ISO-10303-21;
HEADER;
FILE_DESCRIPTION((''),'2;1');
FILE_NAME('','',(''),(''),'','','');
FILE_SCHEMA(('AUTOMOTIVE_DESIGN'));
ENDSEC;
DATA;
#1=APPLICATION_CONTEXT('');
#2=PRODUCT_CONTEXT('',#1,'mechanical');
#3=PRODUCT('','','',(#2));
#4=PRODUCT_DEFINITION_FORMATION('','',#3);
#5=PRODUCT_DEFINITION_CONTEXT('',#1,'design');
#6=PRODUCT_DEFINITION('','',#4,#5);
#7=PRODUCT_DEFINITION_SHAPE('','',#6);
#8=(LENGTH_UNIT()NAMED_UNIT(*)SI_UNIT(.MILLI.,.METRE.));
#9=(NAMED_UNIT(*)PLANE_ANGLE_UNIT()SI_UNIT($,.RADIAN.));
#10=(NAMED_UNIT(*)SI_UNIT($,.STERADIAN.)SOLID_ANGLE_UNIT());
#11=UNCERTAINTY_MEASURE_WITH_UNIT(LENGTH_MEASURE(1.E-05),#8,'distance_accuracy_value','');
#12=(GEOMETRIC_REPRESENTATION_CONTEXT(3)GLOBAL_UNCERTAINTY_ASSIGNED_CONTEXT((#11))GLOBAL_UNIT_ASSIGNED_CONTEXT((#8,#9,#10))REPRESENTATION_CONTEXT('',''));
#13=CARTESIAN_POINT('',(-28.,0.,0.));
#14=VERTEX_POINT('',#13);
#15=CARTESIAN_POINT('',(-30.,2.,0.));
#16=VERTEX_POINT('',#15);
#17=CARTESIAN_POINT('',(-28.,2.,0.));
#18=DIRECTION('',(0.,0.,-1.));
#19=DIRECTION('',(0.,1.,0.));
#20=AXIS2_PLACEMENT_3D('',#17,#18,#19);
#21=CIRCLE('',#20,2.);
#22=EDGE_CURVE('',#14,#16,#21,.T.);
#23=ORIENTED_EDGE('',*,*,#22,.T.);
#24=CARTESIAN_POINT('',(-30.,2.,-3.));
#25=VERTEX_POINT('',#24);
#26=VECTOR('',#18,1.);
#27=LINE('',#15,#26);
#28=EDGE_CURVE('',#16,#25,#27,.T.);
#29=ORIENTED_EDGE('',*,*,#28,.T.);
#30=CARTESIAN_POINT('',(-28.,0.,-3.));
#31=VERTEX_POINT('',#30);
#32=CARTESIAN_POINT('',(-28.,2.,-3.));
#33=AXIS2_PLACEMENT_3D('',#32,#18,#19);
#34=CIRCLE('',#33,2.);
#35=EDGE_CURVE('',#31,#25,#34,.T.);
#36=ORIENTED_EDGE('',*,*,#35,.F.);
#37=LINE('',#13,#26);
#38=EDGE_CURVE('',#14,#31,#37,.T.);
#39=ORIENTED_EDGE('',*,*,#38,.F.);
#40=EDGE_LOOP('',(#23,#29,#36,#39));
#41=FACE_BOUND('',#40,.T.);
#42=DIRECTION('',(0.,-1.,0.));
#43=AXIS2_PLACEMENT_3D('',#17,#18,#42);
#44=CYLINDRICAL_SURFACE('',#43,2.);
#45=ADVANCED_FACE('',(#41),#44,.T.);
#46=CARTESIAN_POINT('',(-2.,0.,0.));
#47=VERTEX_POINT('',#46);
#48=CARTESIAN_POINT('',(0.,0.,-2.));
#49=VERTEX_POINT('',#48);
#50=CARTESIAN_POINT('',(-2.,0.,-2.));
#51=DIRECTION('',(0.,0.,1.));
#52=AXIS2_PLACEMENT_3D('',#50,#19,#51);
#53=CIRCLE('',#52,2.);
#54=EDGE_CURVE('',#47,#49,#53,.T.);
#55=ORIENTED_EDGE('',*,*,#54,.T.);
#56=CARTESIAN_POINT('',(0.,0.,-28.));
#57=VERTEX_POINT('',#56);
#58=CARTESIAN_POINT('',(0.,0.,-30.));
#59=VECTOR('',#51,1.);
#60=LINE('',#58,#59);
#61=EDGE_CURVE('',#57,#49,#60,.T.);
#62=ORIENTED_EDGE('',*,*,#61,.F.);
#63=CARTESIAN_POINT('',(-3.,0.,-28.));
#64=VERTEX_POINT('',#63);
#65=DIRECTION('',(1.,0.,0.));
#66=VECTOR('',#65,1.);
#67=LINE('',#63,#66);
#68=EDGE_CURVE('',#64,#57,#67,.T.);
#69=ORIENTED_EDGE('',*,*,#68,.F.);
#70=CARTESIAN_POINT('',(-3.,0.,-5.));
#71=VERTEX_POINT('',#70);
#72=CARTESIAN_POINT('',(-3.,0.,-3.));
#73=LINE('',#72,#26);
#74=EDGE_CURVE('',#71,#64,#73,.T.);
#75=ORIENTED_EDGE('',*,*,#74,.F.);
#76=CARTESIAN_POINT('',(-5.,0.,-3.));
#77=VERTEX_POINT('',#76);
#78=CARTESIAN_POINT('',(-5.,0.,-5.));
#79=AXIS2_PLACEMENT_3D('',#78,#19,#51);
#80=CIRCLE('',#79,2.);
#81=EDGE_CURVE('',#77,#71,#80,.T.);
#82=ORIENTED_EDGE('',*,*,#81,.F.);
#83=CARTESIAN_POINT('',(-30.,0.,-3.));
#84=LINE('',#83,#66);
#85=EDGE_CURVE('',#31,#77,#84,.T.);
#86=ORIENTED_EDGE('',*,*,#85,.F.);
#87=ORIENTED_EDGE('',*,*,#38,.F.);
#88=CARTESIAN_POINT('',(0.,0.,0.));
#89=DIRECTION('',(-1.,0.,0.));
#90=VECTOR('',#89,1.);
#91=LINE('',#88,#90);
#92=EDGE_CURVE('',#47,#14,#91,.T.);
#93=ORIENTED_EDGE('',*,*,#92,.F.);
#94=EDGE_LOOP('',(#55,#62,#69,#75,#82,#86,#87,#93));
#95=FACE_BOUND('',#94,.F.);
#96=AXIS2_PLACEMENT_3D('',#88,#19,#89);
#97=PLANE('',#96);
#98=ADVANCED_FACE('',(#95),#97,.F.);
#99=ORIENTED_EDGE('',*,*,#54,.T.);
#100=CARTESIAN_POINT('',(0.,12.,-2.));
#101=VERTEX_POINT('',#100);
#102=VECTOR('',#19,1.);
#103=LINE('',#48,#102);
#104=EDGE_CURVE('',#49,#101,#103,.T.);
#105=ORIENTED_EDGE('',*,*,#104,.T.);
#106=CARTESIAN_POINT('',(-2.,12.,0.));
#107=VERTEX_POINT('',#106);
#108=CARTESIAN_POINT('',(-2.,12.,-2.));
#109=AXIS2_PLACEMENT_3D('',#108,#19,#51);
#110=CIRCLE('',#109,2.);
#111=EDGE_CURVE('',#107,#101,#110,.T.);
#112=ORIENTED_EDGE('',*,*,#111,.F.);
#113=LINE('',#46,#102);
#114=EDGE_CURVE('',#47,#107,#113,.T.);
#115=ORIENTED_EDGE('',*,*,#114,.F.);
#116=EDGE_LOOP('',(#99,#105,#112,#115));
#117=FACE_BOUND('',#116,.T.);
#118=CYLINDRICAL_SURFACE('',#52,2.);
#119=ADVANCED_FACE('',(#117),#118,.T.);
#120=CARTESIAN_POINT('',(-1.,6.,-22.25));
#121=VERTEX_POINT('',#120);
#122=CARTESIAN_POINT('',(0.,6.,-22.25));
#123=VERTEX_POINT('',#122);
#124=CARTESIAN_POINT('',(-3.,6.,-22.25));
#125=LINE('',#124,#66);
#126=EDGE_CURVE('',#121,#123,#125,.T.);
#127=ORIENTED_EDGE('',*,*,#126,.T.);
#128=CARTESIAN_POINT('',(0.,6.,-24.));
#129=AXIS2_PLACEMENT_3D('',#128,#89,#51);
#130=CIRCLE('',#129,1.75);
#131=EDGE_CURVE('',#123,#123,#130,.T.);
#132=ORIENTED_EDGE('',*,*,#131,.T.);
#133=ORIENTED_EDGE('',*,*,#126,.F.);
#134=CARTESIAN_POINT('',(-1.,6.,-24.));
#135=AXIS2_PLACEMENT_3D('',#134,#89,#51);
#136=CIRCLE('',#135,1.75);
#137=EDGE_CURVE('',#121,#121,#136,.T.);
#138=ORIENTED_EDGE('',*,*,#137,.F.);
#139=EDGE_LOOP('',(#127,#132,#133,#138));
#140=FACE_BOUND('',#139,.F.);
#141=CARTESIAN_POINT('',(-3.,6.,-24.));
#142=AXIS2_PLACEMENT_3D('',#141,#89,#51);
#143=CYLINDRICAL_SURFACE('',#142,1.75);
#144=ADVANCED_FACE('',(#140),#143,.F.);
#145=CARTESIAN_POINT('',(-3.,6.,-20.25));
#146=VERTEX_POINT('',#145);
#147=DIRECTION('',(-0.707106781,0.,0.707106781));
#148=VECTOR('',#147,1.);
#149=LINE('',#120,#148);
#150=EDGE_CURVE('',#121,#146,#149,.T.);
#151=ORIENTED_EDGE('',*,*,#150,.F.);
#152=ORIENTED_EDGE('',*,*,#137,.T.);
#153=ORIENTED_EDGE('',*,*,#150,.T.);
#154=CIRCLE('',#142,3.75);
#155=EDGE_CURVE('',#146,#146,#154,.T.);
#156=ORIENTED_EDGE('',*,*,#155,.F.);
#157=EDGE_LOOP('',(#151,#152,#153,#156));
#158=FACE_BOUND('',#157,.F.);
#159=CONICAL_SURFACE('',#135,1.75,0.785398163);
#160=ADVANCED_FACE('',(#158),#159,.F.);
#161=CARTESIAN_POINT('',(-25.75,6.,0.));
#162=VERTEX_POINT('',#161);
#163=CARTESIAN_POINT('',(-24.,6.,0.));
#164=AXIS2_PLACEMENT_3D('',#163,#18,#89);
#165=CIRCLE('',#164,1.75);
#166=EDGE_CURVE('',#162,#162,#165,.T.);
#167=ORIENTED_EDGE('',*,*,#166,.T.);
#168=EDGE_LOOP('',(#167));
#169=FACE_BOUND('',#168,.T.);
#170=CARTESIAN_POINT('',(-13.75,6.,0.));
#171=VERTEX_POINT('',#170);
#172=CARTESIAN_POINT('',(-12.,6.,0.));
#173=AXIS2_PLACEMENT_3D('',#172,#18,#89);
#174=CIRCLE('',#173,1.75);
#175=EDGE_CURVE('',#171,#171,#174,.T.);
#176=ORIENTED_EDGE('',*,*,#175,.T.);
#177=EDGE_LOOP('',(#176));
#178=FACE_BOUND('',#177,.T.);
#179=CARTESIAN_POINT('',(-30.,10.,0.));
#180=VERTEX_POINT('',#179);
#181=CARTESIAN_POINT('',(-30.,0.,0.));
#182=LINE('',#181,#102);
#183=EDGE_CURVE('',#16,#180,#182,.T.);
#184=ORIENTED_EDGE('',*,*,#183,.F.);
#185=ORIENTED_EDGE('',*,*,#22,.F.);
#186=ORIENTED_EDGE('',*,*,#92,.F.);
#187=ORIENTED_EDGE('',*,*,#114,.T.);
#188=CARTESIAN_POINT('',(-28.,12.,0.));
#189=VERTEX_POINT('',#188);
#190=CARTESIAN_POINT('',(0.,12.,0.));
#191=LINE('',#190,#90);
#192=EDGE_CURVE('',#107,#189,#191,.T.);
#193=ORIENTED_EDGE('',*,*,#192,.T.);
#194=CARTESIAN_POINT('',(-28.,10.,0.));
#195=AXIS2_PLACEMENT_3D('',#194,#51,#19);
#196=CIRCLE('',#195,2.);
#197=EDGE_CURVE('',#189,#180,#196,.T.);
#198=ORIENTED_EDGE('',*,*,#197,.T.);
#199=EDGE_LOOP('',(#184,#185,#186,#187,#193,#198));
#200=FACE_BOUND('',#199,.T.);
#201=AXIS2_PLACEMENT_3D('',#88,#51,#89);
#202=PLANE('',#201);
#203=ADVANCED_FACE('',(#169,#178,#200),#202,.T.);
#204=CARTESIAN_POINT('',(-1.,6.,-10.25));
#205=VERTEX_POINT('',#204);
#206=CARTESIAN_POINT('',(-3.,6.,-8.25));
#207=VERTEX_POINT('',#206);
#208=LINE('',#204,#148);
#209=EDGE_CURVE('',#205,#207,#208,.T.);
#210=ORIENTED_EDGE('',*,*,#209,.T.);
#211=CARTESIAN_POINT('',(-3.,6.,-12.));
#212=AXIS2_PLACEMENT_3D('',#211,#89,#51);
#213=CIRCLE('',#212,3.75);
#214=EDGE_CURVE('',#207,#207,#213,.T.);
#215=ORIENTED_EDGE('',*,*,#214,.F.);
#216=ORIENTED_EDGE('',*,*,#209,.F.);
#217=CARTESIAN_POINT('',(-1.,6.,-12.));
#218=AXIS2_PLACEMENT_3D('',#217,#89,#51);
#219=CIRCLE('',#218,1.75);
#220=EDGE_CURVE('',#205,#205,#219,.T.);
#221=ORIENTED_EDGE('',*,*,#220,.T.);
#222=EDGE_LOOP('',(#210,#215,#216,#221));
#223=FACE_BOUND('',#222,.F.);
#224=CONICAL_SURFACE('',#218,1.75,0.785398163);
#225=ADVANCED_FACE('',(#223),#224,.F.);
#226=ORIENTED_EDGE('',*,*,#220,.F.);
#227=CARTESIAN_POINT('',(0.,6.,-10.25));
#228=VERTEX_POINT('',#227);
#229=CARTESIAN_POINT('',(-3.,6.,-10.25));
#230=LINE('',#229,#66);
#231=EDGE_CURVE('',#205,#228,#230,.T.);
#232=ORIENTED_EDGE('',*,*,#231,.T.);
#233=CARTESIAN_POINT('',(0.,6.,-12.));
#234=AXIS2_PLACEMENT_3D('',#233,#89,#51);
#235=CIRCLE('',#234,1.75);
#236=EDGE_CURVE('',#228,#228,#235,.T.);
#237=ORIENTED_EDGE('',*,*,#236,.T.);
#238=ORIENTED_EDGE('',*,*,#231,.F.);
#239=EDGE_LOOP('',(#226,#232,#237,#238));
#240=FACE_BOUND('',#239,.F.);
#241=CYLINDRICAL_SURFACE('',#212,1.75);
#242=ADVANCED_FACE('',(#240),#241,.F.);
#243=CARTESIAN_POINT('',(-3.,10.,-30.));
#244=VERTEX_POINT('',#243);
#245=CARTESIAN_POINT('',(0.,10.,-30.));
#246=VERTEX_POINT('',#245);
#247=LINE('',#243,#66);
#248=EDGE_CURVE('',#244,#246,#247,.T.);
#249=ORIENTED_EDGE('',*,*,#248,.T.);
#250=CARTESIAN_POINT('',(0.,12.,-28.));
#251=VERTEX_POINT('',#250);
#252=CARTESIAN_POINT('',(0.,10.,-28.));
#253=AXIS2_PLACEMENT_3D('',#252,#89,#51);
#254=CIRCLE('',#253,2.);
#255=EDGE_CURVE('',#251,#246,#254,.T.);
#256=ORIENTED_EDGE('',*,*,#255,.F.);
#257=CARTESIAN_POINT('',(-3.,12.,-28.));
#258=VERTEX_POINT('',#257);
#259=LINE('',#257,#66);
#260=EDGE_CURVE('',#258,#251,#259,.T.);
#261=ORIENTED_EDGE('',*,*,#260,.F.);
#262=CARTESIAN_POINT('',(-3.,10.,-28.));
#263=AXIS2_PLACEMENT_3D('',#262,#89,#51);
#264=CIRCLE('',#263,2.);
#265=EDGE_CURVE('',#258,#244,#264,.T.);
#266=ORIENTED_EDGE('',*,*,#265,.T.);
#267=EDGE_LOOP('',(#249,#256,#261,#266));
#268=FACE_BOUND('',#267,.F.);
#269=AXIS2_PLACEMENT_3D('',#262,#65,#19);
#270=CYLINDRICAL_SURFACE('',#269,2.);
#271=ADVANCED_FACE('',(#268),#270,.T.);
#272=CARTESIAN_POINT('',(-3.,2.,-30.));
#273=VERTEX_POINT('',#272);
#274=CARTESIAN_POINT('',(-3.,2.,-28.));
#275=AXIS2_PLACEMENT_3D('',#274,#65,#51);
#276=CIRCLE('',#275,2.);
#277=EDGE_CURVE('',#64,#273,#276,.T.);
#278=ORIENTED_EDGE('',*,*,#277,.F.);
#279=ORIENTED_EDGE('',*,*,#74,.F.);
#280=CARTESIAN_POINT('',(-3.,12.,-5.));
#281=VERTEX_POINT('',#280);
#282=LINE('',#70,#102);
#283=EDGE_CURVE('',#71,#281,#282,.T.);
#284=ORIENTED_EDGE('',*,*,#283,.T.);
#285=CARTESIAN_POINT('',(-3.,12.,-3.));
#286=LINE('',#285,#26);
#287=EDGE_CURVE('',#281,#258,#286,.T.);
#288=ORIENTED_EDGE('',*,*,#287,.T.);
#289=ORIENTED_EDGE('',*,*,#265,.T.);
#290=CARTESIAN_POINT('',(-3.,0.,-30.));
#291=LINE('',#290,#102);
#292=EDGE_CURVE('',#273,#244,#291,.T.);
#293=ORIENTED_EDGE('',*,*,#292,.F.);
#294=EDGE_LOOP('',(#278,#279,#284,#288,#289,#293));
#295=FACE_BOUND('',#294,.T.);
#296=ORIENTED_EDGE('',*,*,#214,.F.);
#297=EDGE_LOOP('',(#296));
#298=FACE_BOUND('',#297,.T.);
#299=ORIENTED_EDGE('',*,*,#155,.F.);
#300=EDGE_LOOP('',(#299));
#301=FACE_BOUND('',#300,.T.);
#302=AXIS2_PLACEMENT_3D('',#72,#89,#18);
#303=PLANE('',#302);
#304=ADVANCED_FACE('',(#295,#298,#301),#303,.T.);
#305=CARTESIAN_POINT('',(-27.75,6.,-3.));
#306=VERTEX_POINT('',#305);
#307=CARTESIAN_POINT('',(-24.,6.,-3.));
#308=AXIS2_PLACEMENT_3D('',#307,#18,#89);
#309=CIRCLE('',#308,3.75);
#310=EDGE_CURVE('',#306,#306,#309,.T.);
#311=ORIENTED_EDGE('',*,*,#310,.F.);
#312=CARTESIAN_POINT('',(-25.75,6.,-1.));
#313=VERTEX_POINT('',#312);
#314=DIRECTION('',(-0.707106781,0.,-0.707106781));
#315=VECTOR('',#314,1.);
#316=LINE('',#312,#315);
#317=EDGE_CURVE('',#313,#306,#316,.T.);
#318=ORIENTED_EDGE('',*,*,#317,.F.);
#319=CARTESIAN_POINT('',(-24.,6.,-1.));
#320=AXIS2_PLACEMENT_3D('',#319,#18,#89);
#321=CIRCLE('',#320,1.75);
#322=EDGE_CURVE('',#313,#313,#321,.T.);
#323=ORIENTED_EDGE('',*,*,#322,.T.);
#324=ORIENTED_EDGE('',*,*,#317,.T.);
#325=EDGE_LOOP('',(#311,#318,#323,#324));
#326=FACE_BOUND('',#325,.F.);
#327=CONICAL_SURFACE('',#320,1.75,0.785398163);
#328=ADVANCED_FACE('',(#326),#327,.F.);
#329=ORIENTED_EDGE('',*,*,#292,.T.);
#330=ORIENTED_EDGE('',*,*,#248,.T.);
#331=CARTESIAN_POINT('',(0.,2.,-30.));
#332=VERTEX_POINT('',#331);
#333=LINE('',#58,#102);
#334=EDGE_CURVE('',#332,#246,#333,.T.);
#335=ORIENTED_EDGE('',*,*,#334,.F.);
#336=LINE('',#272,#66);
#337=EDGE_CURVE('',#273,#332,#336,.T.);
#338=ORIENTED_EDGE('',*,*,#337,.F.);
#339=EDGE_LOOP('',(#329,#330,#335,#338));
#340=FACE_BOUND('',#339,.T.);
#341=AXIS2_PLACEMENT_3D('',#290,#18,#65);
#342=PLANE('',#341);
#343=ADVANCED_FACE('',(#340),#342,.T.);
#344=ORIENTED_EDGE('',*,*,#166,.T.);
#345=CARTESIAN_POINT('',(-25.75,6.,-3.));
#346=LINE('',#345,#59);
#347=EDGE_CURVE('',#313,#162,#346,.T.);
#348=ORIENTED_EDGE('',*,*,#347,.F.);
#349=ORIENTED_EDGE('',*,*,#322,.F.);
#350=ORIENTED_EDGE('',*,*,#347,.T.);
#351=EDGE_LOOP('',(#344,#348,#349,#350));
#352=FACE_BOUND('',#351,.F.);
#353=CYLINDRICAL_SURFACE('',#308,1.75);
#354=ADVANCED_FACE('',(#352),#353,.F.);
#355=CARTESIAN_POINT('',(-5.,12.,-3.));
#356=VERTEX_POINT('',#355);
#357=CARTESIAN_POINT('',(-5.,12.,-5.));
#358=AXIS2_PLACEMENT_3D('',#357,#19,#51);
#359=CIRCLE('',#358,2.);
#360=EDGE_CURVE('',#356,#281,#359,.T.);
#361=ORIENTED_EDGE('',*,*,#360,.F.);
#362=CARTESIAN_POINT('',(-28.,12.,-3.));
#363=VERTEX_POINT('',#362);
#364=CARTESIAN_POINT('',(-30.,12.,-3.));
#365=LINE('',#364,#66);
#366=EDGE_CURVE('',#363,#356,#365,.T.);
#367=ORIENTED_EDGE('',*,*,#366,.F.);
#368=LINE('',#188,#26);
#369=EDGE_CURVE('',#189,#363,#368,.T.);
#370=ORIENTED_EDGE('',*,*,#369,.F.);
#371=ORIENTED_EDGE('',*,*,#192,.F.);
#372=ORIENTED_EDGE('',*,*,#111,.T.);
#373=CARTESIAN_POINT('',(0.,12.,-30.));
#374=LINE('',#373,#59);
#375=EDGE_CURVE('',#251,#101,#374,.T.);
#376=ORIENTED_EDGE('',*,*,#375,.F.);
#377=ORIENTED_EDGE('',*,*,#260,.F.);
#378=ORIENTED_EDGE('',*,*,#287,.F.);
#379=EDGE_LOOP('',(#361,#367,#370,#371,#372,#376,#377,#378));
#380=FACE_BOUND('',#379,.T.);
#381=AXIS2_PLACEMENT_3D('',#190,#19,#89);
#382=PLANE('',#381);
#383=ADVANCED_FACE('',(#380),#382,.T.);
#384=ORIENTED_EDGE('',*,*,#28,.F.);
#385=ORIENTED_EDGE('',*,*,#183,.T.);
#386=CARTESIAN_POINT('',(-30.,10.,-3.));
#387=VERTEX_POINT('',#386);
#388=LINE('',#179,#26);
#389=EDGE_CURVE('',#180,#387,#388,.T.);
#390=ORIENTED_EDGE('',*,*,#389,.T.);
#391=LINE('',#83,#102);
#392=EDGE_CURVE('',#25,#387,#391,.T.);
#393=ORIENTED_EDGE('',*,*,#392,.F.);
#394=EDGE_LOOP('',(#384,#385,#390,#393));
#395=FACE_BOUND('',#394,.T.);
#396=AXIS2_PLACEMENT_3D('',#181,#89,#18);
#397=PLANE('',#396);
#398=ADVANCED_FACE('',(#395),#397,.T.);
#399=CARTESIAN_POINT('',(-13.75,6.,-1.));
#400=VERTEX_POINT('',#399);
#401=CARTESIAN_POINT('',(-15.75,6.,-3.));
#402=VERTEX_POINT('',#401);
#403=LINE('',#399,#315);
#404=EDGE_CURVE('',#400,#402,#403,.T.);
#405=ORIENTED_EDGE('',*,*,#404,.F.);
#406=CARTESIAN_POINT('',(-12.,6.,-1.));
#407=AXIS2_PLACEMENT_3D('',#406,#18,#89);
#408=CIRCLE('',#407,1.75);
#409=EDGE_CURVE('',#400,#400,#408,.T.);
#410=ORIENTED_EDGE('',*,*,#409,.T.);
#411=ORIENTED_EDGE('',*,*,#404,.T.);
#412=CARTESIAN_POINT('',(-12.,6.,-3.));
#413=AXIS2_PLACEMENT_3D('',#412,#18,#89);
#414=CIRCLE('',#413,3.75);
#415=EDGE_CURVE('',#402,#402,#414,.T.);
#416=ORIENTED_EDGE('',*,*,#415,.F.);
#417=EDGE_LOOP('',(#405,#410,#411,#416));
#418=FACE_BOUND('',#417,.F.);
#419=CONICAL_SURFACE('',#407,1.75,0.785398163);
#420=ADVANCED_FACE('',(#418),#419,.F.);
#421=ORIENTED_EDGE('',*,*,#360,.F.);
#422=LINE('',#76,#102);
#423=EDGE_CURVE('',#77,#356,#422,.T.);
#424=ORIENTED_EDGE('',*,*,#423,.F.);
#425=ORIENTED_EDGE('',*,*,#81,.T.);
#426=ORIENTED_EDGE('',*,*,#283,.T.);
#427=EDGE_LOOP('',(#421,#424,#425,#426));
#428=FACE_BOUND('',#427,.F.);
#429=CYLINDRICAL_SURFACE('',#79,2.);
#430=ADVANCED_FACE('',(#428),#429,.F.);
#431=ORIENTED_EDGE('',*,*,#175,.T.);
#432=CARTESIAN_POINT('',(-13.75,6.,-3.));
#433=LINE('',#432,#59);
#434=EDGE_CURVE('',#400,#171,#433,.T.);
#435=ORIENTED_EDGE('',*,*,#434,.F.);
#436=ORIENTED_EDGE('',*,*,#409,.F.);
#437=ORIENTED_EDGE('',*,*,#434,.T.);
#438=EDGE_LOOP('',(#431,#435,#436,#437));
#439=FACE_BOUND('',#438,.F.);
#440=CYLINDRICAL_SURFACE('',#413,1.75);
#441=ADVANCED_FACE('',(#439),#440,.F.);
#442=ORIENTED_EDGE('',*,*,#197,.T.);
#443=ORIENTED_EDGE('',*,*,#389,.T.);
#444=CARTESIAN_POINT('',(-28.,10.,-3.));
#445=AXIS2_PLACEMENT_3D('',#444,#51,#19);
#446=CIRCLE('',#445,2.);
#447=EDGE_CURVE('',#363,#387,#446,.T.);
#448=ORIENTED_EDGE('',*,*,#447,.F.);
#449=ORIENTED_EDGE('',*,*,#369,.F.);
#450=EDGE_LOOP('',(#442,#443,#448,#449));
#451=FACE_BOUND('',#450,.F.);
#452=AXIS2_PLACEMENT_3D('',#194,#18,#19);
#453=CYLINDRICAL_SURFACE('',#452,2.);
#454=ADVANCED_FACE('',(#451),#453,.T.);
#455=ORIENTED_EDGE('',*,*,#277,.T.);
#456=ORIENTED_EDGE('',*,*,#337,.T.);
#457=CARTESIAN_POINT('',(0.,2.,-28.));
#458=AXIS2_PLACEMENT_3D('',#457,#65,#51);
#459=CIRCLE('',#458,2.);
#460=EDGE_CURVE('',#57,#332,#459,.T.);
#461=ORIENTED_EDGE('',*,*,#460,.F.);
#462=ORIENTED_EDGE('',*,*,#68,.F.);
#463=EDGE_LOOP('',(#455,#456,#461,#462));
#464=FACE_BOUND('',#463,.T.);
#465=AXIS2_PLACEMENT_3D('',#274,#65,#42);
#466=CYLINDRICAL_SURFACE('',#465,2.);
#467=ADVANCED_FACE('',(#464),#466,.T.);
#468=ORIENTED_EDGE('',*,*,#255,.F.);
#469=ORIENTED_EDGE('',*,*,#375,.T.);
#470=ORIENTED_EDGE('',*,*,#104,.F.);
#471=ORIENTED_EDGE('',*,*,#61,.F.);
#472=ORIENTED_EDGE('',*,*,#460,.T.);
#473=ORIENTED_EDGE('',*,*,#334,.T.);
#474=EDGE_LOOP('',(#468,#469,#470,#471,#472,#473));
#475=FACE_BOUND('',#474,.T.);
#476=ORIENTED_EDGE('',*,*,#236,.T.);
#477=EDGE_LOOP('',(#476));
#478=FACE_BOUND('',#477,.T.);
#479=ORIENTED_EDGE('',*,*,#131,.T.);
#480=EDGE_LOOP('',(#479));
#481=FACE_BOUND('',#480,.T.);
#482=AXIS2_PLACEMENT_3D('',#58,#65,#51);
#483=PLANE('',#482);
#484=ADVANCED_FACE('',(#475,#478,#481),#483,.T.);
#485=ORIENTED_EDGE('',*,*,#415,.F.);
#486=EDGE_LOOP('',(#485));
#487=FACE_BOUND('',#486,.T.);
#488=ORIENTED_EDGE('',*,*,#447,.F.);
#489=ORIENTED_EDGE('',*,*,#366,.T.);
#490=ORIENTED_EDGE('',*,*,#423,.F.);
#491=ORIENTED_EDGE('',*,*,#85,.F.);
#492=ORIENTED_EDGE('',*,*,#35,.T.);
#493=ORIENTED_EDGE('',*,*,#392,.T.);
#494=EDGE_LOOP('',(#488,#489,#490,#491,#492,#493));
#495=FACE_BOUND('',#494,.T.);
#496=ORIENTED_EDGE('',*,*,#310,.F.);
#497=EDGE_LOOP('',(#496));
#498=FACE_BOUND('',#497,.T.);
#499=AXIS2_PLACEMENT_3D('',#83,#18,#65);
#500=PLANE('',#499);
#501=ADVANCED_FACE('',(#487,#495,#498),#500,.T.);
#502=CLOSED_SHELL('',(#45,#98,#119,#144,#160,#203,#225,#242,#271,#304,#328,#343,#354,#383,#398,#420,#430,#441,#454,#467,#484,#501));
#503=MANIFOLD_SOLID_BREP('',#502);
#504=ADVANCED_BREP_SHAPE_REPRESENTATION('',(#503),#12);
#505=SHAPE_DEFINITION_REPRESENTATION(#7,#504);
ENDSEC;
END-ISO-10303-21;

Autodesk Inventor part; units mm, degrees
ref_plane "YZ Plane" through (0, 0, 0) normal (1, 0, 0) x (0, 1, 0)
ref_plane "XZ Plane" through (0, 0, 0) normal (0, 1, 0) x (-1, 0, 0)
ref_plane "XY Plane" through (0, 0, 0) normal (0, 0, 1) x (1, 0, 0)
sketch "Sketch1" plane through (0, 0, 0) normal (0, 1, 0) x (-1, 0, 0)
  line L0 (0, 0) -> (30, 0)
  line L1 (30, 0) -> (30, -3)
  line L2 (30, -3) -> (3, -3)
  line L3 (3, -3) -> (3, -30)
  line L4 (3, -30) -> (0, -30)
  line L5 (0, -30) -> (0, 0)
  dimension "d0" = 3
  dimension "d1" = 3
  dimension "d4" = 30
  dimension "d5" = 30
extrude "Extrusion1" add sketch "Sketch1" along normal blind 12
sketch "Sketch2" plane through (-3, 0, -30) normal (-1, 0, 0) x (0, 0, 1)
  line L0 (0, 0) -> (0, 12) projected
  line L1 (0, 6) -> (27, 6) construction
  line L2 (27, 0) -> (27, 12) projected
  circle A0 centre (6, 6) radius 1.75
  circle A1 centre (18, 6) radius 1.75
  point P0 (30, 0)
  dimension "d8" = 3.5
  dimension "d9" = 3.5
  dimension "d10" = 6
  dimension "d11" = 12
extrude "Extrusion2" cut sketch "Sketch2" against normal blind 12
sketch "Sketch3" plane through (-3, 0, -3) normal (0, 0, -1) x (-1, 0, 0)
  line L0 (27, 0) -> (27, 12) projected
  line L1 (27, 6) -> (0, 6) construction
  line L2 (0, 0) -> (0, 12) projected
  circle A0 centre (21, 6) radius 1.75
  circle A1 centre (9, 6) radius 1.75
  point P0 (-3, 0)
  dimension "d14" = 6
  dimension "d15" = 12
  dimension "d16" = 3.5
  dimension "d17" = 3.5
extrude "Extrusion3" cut sketch "Sketch3" against normal blind 12
chamfer "Chamfer1" distance 2 angle 45 4 edges at (-22.25, 6, -3) (-10.25, 6, -3) (-3, 6, -13.75) (-3, 6, -25.75)
fillet "Fillet1" radius 2 6 edges at (-1.5, 12, -30) (-1.5, 0, -30) (-30, 12, -1.5) (-30, 0, -1.5) (-3, 6, -3) (0, 6, 0)
properties part number "Bracket"
